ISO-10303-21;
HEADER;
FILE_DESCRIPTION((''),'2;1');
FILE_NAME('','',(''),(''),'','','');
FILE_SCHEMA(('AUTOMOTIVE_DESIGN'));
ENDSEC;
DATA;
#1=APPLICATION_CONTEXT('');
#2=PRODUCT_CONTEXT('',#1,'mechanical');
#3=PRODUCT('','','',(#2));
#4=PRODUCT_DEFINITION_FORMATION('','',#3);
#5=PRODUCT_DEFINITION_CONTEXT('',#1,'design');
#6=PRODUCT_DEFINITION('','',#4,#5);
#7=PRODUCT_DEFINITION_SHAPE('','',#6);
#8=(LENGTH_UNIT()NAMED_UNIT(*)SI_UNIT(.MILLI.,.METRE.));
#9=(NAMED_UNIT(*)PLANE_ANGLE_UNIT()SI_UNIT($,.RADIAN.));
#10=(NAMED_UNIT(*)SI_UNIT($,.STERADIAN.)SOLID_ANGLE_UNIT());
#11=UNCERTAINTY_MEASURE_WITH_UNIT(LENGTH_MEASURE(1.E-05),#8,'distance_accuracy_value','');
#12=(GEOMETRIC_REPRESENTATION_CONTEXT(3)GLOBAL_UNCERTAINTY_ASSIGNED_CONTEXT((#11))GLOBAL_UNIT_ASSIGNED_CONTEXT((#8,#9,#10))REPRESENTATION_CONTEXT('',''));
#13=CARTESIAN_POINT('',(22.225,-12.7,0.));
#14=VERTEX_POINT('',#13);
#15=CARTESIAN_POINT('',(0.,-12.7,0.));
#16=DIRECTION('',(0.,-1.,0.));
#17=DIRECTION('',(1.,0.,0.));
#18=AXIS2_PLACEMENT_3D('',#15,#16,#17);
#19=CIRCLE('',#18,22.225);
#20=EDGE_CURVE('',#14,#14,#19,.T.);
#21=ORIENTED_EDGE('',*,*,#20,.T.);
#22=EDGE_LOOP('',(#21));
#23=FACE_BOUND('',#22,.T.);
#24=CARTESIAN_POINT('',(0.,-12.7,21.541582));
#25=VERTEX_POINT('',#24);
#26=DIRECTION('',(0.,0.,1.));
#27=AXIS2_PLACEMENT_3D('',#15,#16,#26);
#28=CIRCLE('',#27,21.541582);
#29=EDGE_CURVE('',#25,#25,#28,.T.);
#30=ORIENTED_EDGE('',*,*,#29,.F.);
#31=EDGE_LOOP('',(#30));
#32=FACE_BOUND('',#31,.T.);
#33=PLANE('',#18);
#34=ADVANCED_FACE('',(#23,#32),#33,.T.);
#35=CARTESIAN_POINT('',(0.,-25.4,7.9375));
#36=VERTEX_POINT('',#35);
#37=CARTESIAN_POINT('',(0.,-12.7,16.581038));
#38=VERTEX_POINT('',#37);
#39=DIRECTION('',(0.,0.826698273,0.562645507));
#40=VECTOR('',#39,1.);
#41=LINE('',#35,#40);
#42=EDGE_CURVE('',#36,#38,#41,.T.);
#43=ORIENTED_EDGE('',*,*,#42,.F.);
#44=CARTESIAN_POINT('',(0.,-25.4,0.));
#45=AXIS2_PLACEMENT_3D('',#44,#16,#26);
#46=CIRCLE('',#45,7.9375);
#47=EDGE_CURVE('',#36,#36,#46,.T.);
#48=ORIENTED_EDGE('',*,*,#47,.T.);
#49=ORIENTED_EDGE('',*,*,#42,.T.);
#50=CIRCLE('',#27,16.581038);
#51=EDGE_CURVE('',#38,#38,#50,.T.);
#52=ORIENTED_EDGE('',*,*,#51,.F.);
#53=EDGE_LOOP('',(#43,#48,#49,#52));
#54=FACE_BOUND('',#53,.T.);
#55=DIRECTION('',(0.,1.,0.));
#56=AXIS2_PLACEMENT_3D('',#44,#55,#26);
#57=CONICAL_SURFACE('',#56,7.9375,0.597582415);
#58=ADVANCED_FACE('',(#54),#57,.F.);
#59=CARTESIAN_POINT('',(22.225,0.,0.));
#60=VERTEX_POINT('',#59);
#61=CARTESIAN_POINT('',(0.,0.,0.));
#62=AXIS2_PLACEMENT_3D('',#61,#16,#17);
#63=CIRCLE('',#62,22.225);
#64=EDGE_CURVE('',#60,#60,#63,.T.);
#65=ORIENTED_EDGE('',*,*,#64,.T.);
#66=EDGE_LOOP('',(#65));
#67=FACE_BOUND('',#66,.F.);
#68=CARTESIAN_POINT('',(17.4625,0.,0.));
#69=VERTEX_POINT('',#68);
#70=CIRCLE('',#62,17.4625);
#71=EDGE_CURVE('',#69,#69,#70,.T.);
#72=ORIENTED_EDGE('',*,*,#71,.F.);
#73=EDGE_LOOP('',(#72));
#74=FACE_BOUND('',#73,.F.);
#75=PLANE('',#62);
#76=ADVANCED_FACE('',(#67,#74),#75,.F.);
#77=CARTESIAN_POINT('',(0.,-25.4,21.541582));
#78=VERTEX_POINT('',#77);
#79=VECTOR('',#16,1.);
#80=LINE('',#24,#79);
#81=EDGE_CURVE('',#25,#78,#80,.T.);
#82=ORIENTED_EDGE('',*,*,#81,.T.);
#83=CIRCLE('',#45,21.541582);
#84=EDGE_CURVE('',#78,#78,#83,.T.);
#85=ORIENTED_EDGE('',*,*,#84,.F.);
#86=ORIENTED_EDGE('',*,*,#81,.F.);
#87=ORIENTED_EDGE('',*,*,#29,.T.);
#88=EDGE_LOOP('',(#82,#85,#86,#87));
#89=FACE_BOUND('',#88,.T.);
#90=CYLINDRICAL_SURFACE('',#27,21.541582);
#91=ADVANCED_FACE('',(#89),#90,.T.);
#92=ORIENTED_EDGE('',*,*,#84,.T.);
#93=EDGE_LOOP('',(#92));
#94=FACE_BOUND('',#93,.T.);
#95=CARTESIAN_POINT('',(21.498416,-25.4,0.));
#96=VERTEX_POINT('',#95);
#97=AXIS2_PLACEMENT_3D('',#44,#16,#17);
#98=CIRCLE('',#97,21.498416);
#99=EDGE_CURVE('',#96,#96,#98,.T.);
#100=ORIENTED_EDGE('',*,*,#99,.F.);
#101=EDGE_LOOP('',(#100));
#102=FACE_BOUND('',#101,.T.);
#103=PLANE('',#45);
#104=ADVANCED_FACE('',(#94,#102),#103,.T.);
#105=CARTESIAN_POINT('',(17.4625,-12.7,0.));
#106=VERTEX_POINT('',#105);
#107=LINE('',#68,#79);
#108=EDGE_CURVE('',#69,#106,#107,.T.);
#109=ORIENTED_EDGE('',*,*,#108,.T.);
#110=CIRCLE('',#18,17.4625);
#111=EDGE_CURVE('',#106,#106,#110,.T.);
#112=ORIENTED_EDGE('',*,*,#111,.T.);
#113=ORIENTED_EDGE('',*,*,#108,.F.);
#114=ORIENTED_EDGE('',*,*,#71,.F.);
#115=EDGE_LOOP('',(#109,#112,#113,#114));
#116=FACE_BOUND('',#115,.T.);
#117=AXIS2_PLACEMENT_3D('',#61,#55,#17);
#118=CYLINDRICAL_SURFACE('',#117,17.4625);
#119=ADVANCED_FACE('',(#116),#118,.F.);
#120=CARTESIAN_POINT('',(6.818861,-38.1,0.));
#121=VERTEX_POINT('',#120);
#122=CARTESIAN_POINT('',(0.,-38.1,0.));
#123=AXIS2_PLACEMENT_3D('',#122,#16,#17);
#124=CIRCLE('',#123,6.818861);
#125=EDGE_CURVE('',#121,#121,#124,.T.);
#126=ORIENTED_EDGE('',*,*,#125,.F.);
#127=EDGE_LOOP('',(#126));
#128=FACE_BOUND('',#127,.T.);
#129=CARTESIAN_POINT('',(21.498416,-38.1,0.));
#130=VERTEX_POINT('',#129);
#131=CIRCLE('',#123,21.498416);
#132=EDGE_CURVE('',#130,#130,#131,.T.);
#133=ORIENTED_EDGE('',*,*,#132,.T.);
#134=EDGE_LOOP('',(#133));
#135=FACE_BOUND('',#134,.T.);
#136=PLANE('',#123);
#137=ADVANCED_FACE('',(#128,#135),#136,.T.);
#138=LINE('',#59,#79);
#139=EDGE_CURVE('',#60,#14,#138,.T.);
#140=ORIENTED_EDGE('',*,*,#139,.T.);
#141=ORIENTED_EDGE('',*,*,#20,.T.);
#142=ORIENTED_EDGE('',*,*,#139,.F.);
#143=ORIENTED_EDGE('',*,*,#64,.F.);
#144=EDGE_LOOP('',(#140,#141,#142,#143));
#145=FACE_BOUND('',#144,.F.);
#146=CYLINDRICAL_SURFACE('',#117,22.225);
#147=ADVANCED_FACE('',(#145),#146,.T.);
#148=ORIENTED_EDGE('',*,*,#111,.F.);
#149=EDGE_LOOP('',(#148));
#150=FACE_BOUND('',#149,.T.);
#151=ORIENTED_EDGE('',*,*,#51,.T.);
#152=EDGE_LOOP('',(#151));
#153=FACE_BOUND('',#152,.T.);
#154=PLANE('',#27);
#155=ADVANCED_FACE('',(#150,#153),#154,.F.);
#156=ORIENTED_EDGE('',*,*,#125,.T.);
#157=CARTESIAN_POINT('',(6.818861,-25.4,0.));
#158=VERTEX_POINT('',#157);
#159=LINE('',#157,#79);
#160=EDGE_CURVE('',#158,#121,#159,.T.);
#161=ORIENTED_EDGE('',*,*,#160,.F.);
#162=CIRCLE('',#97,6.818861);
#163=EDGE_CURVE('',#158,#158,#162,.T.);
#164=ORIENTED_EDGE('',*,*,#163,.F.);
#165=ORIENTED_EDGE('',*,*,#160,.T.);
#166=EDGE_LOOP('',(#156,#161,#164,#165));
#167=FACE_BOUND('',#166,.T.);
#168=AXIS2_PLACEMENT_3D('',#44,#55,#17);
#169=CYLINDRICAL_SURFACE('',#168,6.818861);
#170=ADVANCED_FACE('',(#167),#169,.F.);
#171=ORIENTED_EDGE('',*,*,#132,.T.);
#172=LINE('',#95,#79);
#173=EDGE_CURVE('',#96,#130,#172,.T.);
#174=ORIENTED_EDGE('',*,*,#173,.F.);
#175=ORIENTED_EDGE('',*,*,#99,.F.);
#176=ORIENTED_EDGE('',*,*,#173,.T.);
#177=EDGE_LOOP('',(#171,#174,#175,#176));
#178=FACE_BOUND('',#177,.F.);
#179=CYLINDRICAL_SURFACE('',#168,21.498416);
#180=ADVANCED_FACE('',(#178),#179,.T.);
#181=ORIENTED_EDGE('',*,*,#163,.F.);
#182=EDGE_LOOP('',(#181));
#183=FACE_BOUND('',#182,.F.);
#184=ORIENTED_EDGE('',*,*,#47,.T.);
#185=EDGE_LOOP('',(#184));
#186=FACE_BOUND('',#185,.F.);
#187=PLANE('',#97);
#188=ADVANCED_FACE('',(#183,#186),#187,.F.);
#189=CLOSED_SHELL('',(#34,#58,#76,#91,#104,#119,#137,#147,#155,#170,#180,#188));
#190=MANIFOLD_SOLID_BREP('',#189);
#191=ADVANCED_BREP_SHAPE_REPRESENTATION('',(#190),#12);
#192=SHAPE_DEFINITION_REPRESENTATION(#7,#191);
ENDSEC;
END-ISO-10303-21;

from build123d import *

# Parameters (mm, degrees)
F0_R     = 22.225
F0_R_2   = 17.4625
F1_DEPTH = 12.7
F4_R     = 21.498416
F4_R_2   = 6.818861
F5_DEPTH = 12.7


with BuildPart() as f1:
    # F0 (on Front) → F1 (new body)
    with BuildSketch(Plane.XZ):
        Circle(F0_R)
        Circle(F0_R_2, mode=Mode.SUBTRACT)
    extrude(amount=F1_DEPTH)

    # F2 (on Right) → F3 (revolve)
    with BuildSketch(Plane.YZ):
        Polygon((-25.4, 7.9375), (-12.7, 16.581038), (-12.7, 21.541582), (-25.4, 21.541582), align=None)
    revolve(axis=Axis((0, -12.7, 0), (0, -1, 0)))

    # F4 (on face) → F5 (join)
    with BuildSketch(Plane.XZ.offset(25.4)):
        Circle(F4_R)
        Circle(F4_R_2, mode=Mode.SUBTRACT)
    extrude(amount=F5_DEPTH)


solid = f1.part
